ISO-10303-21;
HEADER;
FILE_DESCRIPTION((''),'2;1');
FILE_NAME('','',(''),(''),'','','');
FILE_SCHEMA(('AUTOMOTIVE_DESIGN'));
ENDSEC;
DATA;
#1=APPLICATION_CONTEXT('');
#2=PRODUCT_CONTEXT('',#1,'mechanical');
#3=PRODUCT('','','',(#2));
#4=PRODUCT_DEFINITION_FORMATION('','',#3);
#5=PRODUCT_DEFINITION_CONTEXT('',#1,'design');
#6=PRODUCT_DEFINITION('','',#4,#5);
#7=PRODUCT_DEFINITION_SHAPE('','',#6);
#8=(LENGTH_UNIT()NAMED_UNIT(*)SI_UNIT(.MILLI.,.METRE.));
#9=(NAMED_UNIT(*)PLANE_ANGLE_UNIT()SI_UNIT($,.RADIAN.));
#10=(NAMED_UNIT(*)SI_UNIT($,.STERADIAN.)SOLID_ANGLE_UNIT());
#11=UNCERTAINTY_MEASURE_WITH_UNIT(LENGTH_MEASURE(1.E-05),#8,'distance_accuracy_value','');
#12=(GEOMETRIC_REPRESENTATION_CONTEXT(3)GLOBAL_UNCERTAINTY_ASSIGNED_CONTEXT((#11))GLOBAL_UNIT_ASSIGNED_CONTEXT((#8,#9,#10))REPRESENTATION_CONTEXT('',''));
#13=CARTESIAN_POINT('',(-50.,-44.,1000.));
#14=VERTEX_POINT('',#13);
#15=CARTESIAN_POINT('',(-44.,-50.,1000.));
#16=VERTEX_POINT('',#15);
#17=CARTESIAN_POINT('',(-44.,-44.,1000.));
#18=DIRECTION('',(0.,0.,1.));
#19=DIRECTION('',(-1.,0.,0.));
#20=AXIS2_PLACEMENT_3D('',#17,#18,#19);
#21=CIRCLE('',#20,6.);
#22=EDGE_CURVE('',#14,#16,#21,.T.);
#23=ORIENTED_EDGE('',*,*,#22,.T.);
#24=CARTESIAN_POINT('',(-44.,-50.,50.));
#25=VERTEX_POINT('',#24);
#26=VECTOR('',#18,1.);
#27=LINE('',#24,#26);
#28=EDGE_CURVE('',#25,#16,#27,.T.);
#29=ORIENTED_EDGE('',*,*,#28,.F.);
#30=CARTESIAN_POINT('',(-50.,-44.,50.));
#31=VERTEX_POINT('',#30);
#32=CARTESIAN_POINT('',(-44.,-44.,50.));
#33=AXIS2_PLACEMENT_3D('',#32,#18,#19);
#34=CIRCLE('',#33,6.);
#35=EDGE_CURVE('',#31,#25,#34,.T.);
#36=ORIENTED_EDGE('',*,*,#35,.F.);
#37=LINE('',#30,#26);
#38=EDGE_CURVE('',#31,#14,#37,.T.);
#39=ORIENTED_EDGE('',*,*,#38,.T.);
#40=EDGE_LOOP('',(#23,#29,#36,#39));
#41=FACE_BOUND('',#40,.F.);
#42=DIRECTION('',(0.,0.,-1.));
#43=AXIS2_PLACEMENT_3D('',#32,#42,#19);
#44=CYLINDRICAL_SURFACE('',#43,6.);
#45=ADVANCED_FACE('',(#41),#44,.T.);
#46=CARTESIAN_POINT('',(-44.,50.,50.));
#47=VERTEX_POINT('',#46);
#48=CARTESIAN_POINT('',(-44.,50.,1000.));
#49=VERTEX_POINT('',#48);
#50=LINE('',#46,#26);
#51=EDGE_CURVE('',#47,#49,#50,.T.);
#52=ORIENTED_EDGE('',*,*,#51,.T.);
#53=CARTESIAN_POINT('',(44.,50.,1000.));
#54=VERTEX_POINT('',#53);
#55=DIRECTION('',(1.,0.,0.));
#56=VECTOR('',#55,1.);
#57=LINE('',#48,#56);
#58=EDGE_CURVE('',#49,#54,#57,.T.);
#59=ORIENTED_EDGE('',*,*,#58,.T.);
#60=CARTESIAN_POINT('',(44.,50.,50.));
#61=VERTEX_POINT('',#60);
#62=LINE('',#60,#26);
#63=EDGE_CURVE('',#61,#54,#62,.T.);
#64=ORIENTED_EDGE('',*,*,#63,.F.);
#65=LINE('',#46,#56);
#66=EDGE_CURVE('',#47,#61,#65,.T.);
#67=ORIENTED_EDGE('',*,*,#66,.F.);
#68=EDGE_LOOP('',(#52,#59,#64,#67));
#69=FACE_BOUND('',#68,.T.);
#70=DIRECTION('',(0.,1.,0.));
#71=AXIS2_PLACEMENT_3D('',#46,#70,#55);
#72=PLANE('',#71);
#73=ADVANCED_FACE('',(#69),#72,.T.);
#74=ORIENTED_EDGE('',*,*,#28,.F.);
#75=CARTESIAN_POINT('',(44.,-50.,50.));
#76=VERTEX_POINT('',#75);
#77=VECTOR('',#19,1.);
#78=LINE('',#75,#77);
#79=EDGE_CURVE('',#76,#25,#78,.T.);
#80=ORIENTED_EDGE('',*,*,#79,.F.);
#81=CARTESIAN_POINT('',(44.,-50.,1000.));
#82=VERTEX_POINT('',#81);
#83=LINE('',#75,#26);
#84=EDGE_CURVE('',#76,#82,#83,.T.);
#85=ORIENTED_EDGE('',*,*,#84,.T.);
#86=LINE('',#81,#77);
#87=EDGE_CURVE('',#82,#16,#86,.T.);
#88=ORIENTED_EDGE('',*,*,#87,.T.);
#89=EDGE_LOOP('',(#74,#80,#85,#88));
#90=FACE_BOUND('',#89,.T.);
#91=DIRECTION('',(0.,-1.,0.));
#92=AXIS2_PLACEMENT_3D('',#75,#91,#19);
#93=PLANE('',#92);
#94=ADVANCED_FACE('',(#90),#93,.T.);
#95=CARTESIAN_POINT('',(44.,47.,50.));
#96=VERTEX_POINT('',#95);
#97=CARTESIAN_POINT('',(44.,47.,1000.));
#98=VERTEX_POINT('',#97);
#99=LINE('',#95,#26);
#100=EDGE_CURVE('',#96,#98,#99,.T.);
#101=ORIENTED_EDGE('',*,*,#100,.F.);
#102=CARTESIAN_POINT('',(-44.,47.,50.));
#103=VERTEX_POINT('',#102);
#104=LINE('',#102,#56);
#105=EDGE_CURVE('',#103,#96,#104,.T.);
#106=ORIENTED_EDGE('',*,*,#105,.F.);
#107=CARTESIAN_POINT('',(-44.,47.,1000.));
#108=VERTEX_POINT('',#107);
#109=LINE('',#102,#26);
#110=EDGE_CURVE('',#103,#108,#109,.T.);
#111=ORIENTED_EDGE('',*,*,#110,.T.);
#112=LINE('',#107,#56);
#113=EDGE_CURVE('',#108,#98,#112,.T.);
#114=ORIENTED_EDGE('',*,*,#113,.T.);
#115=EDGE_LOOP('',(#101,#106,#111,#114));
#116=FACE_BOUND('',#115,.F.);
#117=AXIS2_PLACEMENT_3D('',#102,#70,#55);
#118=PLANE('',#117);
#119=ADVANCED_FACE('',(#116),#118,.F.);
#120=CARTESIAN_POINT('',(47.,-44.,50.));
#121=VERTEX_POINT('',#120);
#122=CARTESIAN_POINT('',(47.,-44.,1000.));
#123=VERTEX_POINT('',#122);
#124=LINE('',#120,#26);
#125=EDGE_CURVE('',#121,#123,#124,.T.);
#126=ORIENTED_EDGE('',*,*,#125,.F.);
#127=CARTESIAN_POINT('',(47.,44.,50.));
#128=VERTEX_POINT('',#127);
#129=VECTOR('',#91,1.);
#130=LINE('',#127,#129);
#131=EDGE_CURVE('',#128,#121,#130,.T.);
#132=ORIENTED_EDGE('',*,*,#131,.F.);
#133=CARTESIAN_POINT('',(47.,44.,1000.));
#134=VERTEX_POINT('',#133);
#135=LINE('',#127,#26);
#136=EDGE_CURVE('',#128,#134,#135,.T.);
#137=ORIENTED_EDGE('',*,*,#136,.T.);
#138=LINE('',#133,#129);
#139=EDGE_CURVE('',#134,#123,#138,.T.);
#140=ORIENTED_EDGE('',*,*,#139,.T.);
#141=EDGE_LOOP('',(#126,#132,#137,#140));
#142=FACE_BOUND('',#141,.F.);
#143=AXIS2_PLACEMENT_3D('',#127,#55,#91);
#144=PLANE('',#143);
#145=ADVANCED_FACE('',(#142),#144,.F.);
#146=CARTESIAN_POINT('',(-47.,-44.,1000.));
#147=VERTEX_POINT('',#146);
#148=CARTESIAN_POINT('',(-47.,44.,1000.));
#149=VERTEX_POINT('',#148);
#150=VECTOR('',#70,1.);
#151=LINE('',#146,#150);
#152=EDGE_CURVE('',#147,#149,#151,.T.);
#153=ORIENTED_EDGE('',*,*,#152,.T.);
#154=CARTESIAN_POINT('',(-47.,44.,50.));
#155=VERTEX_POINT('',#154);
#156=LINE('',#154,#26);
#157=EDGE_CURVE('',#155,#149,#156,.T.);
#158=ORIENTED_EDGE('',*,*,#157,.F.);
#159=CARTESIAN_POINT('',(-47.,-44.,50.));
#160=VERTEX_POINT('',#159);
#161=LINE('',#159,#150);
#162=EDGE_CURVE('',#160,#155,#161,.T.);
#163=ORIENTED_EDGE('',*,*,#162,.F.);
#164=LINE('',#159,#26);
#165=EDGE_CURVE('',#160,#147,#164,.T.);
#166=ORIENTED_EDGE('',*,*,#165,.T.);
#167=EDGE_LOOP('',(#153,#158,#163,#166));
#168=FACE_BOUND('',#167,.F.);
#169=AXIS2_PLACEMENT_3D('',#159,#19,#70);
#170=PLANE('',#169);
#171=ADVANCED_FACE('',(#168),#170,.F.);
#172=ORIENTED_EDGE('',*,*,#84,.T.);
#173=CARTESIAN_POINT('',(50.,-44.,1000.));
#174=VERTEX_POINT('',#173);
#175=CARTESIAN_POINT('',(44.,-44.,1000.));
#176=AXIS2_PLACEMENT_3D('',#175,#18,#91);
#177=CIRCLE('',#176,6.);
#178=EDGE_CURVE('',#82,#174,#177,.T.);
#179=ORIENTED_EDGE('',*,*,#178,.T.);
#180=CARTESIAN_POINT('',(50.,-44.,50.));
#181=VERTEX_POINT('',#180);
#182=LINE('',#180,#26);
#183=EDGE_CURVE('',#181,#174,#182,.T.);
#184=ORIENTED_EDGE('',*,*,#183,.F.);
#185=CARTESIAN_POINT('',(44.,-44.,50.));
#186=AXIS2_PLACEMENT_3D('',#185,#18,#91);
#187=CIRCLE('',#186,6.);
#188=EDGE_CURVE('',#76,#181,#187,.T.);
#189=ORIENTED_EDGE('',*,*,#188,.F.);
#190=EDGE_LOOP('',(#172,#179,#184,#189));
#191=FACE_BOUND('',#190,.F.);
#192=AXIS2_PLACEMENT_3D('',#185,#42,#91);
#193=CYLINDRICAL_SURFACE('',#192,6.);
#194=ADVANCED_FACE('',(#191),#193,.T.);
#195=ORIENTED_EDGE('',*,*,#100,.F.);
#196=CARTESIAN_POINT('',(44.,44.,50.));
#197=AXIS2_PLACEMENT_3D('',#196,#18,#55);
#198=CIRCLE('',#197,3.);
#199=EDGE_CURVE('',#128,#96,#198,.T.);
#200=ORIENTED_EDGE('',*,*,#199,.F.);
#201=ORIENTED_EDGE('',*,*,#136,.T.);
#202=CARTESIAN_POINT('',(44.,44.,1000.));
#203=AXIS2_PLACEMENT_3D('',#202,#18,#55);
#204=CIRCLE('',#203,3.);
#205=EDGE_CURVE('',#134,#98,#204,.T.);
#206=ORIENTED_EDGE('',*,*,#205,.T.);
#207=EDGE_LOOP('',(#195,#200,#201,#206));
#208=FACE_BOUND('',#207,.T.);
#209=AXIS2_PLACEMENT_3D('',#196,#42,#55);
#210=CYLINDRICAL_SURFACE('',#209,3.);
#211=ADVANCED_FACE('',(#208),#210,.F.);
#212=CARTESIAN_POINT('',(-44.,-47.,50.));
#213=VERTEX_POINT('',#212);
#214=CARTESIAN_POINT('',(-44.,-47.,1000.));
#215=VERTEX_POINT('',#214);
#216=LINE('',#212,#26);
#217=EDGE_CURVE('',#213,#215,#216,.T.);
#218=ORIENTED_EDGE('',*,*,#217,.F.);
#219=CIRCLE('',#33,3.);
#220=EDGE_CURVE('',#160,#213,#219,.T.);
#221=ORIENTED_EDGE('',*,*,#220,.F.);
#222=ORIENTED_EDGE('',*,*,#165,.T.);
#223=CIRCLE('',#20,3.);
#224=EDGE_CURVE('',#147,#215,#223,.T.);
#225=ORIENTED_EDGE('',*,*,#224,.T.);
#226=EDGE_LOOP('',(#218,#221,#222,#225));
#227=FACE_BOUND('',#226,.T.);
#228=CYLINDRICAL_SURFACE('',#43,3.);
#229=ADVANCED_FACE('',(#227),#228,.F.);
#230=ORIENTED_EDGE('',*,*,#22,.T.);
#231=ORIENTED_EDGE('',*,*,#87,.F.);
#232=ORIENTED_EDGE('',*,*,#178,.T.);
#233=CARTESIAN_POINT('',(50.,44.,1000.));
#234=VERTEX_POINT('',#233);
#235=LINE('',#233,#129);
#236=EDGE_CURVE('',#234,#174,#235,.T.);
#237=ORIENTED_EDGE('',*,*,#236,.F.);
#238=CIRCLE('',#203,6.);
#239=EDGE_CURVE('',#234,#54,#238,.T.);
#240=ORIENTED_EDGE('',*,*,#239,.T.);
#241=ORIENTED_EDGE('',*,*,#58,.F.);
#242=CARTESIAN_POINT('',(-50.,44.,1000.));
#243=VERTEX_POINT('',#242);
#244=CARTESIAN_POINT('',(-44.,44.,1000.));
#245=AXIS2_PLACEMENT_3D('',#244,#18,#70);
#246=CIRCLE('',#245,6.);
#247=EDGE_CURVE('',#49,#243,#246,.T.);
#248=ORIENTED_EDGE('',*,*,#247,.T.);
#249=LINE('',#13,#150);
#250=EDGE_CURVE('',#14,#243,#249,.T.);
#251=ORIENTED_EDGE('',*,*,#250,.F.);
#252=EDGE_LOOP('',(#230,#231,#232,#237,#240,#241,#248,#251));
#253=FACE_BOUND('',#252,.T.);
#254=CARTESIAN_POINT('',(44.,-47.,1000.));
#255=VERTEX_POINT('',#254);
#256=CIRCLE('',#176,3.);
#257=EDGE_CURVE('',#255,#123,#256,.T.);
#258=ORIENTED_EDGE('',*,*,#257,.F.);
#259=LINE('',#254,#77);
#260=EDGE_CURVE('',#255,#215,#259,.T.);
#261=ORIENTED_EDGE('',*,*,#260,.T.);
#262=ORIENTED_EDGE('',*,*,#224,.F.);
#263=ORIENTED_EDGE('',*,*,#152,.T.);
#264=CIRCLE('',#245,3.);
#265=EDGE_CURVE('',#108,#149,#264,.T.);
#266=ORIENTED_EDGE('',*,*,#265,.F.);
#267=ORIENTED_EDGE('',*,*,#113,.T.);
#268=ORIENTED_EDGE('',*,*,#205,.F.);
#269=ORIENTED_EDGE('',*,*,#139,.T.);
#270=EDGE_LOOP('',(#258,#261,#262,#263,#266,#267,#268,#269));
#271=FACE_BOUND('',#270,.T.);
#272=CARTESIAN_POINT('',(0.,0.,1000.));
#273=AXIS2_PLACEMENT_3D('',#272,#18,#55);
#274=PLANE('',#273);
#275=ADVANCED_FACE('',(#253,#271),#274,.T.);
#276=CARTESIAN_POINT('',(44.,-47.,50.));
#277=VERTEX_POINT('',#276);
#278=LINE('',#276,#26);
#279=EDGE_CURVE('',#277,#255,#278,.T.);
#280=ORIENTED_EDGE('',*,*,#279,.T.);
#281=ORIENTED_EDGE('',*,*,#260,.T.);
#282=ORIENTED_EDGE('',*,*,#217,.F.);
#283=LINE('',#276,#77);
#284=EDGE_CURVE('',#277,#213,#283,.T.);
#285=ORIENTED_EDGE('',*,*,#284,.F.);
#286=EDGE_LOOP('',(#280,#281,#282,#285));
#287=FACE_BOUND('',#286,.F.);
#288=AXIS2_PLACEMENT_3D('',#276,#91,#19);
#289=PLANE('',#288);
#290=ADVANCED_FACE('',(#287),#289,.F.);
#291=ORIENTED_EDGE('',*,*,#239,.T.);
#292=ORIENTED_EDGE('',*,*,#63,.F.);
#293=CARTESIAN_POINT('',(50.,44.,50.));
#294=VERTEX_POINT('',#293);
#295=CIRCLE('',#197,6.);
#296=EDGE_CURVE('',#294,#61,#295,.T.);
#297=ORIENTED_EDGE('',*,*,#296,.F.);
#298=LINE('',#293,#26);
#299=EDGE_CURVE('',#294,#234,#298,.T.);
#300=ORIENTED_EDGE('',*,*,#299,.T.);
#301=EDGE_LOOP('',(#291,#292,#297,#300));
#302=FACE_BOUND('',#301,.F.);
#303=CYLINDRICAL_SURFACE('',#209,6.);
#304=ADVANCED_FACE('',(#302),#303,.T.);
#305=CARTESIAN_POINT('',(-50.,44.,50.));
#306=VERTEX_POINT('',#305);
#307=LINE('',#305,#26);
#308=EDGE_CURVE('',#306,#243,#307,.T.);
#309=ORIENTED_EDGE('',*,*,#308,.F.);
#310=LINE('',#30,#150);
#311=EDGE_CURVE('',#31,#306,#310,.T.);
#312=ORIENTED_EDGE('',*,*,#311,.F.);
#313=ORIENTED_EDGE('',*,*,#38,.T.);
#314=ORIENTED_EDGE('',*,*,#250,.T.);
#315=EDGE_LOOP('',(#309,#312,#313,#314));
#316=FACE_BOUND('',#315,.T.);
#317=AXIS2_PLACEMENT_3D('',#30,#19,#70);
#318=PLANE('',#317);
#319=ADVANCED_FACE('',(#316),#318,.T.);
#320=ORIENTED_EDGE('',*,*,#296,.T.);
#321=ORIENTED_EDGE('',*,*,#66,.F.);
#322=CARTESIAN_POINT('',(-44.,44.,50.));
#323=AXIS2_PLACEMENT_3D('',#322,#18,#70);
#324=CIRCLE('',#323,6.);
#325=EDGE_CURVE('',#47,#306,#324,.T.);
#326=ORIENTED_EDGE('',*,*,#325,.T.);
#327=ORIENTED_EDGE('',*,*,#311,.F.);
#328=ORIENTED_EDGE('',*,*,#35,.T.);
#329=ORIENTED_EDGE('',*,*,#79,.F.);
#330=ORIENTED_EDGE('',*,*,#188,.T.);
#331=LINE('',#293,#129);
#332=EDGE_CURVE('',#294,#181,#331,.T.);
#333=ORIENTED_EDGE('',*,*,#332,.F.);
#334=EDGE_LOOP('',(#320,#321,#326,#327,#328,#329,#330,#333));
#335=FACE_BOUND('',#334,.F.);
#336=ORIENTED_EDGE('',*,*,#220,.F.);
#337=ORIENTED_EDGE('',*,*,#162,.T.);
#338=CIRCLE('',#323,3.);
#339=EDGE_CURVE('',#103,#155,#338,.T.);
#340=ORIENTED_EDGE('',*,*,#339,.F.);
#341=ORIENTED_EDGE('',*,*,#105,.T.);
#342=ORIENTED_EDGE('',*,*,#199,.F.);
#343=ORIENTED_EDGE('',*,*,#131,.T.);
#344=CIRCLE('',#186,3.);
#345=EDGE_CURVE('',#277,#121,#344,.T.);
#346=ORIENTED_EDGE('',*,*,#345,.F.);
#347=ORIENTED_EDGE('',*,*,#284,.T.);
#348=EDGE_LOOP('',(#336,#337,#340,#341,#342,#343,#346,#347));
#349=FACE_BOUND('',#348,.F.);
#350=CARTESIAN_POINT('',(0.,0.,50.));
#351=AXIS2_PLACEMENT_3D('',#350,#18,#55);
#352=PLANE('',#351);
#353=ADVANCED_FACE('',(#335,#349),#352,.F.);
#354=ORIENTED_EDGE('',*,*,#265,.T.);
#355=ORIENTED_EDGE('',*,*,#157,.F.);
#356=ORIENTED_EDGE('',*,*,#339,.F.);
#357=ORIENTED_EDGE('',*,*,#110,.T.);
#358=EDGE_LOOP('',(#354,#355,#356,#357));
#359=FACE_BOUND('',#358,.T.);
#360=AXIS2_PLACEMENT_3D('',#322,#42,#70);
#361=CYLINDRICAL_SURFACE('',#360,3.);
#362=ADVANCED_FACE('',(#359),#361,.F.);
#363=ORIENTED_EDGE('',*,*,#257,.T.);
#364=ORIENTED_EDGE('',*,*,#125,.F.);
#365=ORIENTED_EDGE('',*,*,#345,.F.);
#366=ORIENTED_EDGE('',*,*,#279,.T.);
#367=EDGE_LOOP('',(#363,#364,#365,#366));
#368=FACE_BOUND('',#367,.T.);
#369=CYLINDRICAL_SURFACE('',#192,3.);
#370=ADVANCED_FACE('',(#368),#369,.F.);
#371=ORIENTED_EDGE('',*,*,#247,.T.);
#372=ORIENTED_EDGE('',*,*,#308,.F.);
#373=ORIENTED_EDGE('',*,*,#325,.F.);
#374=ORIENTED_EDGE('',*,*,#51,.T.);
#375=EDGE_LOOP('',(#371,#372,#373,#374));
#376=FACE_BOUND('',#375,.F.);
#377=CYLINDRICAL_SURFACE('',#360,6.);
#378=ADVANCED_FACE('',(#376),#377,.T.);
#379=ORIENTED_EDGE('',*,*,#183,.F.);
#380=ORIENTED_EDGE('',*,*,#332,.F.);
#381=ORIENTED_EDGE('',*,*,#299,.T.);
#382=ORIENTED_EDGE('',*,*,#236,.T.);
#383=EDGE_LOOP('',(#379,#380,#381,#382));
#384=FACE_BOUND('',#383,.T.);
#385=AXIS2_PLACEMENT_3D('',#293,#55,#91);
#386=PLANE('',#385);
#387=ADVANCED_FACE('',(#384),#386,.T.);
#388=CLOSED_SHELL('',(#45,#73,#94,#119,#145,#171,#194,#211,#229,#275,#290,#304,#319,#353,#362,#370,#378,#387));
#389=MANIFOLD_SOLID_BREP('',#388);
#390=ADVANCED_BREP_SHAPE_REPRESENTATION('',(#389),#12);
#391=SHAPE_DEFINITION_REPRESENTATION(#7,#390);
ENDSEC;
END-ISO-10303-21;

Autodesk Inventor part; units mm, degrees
ref_plane "YZ Plane" through (0, 0, 0) normal (1, 0, 0) x (0, 1, 0)
ref_plane "Start plane" through (0, 0, 50) normal (0, 0, 1) x (1, 0, 0)
ref_plane "End plane" through (0, 0, 1000) normal (0, 0, 1) x (1, 0, 0)
sketch "Sketch" plane through (0, 0, 0) normal (0, 0, 1) x (1, 0, 0)
  line L0 (-50, -44) -> (-50, 44)
  line L1 (-44, 50) -> (44, 50)
  line L2 (50, 44) -> (50, -44)
  line L3 (44, -50) -> (-44, -50)
  arc A0 (-50, -44) -> (-44, -50) centre (-44, -44) ccw
  arc A1 (50, 44) -> (44, 50) centre (44, 44) ccw
  arc A2 (-44, 50) -> (-50, 44) centre (-44, 44) ccw
  arc A3 (44, -50) -> (50, -44) centre (44, -44) ccw
  arc A4 (-44, 47) -> (-47, 44) centre (-44, 44) ccw
  line L4 (-44, 47) -> (44, 47)
  arc A5 (47, 44) -> (44, 47) centre (44, 44) ccw
  line L5 (47, 44) -> (47, -44)
  arc A6 (44, -47) -> (47, -44) centre (44, -44) ccw
  line L6 (44, -47) -> (-44, -47)
  arc A7 (-47, -44) -> (-44, -47) centre (-44, -44) ccw
  line L7 (-47, -44) -> (-47, 44)
  line L8 (0, 72.3196) -> (0, -72.3196) construction
  line L9 (-72.3196, 0) -> (72.3196, 0) construction
  dimension "d7" = 6
  dimension "d9" = 100
  dimension "d11" = 100
  dimension "d12" = 3
  dimension "d15" = 50
  dimension "d16" = 50
extrude "Body" add sketch "Sketch" along normal up to surface (950 mm away) from surface at 50
sketch "Sketch3" plane through (0, 0, 0) normal (0, 0, 1) x (1, 0, 0)
  line L0 (0, 0) -> (10, 0)
ref_plane "Work Plane3" through (0, 0, 0) normal (0, -1, 0) x (1, 0, 0)
sketch "Sketch4" plane through (0, 0, 0) normal (0, -1, 0) x (1, 0, 0)
  line L0 (-2, 50) -> (12, 50) projected
  line L1 (-2, 1000) -> (12, 1000) projected
  dimension "d18" = 950
equation "\"d7\" = G_IR"
equation "\"d9\" = G_W"
equation "\"d11\" = G_H"
equation "\"d12\" = G_T"
equation "\"d15\" = 0.5 * d9"
equation "\"d16\" = 0.5 * d11"
equation "\"d3\" = G_L"
equation "\"G_W\" = 100"
equation "\"G_H\" = 100"
equation "\"G_T\" = 3"
equation "\"G_IR\" = 6"
equation "\"G_L\" = d18"
properties part number "ISO 10799-2 - 100x100x3 - 950" material "Steel, Mild"
